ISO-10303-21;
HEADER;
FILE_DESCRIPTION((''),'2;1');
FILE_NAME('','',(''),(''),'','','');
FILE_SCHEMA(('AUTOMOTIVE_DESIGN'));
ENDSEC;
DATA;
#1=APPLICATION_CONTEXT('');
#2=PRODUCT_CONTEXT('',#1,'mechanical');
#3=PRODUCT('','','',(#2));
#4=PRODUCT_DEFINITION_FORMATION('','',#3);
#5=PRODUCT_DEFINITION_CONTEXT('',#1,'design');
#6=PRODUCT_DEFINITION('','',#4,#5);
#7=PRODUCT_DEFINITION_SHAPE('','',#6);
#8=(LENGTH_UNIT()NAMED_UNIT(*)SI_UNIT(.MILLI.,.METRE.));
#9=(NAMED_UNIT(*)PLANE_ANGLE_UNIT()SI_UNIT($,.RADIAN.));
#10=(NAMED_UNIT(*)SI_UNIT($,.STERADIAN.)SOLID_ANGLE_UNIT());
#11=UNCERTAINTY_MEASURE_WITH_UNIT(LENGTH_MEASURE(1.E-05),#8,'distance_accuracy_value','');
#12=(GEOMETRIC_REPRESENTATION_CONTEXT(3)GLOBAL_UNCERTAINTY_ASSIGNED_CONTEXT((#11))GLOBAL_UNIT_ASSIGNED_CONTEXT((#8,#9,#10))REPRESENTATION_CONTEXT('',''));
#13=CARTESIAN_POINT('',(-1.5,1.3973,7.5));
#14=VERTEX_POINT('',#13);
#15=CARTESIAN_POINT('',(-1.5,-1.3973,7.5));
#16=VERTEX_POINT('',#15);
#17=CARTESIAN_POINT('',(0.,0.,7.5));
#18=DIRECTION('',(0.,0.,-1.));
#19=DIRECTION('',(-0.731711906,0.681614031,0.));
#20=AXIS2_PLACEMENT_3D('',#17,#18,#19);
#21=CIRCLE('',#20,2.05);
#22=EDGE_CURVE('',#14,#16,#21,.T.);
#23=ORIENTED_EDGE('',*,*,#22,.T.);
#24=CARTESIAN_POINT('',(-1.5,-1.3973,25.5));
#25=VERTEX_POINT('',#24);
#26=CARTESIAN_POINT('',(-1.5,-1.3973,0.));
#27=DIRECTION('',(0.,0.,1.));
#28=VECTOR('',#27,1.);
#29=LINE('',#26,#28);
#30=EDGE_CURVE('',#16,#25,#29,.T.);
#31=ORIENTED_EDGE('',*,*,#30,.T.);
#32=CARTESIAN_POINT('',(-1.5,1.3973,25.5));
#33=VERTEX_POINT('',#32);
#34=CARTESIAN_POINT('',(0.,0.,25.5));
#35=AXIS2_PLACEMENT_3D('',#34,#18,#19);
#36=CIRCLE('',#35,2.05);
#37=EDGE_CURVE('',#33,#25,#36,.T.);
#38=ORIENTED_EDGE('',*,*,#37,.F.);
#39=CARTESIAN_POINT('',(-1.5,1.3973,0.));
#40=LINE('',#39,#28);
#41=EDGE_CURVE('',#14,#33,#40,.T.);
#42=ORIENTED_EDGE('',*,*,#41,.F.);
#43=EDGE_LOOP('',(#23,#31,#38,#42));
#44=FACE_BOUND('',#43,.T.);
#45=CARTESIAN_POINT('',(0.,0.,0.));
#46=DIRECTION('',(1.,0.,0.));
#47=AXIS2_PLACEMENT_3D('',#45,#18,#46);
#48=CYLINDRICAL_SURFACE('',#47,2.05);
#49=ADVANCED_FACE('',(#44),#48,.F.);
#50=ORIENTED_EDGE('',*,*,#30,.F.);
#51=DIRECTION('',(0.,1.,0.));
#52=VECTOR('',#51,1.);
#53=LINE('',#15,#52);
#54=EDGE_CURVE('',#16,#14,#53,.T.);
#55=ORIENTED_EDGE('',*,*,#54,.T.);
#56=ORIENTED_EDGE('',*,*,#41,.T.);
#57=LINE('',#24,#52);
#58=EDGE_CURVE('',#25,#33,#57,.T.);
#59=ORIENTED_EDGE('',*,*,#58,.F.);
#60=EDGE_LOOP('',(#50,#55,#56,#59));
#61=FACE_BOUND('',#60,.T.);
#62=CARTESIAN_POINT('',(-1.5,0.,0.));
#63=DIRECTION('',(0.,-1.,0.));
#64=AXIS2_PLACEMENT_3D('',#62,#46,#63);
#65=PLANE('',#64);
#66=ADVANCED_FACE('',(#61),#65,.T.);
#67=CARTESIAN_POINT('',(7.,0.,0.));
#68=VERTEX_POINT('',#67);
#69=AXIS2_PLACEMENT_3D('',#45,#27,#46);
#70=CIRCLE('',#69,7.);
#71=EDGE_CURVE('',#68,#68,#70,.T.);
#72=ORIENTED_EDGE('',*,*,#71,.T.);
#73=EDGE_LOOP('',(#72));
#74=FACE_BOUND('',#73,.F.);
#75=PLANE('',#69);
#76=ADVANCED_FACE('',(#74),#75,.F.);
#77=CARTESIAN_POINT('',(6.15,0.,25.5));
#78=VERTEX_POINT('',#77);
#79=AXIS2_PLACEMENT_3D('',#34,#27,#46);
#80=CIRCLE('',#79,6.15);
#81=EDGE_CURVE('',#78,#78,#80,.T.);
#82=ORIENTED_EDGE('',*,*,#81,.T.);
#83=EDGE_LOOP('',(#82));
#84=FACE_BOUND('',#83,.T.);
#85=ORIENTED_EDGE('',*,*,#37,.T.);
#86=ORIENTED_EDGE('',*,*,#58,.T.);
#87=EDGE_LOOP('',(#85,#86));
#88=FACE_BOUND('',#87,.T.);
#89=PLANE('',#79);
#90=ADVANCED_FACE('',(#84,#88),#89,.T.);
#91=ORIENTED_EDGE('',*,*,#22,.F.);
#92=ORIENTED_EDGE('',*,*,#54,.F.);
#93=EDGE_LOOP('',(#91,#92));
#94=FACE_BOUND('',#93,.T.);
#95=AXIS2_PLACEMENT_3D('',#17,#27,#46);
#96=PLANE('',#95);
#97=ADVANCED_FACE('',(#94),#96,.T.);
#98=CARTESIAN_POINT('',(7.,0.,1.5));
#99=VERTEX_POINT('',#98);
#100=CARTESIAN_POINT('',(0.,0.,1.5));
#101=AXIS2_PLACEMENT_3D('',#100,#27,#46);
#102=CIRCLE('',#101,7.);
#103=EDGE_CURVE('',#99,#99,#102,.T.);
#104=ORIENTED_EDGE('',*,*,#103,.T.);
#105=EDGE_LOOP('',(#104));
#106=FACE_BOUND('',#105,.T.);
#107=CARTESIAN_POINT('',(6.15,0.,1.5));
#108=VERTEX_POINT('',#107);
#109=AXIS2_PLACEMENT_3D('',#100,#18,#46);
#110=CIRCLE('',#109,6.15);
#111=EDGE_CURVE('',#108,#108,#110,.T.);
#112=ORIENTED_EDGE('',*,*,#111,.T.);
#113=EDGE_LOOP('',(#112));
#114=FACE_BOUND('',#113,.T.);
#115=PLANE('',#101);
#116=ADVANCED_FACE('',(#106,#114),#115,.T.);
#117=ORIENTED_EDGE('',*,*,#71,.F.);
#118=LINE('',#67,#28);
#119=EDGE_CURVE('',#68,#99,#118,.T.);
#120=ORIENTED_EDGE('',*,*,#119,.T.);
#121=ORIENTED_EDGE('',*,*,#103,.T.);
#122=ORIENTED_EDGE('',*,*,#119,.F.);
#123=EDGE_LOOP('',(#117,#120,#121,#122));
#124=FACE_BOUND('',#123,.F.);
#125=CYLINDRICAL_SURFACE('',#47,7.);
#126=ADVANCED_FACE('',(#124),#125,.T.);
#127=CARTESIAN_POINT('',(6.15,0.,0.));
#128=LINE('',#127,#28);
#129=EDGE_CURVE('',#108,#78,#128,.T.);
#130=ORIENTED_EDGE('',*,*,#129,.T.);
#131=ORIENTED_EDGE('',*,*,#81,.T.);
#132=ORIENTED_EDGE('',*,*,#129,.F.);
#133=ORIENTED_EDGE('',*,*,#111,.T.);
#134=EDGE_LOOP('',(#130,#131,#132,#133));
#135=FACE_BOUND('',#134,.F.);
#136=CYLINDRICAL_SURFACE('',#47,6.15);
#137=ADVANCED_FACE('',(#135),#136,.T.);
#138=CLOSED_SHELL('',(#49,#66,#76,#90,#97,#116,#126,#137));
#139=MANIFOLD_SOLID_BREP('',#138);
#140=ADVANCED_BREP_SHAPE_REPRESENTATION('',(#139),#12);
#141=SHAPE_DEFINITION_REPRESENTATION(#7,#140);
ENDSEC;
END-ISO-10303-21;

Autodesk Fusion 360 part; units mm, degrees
sketch "Sketch1" plane through (0, 0, 0) normal (0, 0, 1) x (1, 0, 0)
  circle A0 centre (0, 0) radius 7
  circle A1 centre (0, 0) radius 6.15
  circle A2 centre (0, 0) radius 2.05
  line L0 (-1.5, 0) -> (-1.5, -1.3973)
  line L1 (-1.5, 0) -> (-1.5, 1.3973)
  point P0 (-1.5, 0)
  dimension "d1" = 14
  dimension "d2" = 12.3
  dimension "d3" = 4.1
  dimension "d4" = 1.5
extrude "Extrude1" add sketch "Sketch1" along normal blind 1.5 contours A0 | A1 | A2 L0 L1 | A2 L0 L1
extrude "Extrude2" add sketch "Sketch1" along normal blind 25.5 contours A1 | A2 L0 L1 picked at (-1.859, 0.1021)
extrude "Extrude3" add sketch "Sketch1" along normal blind 7.5 contours A2 L0 L1 picked at (0.859, -0.1018)
